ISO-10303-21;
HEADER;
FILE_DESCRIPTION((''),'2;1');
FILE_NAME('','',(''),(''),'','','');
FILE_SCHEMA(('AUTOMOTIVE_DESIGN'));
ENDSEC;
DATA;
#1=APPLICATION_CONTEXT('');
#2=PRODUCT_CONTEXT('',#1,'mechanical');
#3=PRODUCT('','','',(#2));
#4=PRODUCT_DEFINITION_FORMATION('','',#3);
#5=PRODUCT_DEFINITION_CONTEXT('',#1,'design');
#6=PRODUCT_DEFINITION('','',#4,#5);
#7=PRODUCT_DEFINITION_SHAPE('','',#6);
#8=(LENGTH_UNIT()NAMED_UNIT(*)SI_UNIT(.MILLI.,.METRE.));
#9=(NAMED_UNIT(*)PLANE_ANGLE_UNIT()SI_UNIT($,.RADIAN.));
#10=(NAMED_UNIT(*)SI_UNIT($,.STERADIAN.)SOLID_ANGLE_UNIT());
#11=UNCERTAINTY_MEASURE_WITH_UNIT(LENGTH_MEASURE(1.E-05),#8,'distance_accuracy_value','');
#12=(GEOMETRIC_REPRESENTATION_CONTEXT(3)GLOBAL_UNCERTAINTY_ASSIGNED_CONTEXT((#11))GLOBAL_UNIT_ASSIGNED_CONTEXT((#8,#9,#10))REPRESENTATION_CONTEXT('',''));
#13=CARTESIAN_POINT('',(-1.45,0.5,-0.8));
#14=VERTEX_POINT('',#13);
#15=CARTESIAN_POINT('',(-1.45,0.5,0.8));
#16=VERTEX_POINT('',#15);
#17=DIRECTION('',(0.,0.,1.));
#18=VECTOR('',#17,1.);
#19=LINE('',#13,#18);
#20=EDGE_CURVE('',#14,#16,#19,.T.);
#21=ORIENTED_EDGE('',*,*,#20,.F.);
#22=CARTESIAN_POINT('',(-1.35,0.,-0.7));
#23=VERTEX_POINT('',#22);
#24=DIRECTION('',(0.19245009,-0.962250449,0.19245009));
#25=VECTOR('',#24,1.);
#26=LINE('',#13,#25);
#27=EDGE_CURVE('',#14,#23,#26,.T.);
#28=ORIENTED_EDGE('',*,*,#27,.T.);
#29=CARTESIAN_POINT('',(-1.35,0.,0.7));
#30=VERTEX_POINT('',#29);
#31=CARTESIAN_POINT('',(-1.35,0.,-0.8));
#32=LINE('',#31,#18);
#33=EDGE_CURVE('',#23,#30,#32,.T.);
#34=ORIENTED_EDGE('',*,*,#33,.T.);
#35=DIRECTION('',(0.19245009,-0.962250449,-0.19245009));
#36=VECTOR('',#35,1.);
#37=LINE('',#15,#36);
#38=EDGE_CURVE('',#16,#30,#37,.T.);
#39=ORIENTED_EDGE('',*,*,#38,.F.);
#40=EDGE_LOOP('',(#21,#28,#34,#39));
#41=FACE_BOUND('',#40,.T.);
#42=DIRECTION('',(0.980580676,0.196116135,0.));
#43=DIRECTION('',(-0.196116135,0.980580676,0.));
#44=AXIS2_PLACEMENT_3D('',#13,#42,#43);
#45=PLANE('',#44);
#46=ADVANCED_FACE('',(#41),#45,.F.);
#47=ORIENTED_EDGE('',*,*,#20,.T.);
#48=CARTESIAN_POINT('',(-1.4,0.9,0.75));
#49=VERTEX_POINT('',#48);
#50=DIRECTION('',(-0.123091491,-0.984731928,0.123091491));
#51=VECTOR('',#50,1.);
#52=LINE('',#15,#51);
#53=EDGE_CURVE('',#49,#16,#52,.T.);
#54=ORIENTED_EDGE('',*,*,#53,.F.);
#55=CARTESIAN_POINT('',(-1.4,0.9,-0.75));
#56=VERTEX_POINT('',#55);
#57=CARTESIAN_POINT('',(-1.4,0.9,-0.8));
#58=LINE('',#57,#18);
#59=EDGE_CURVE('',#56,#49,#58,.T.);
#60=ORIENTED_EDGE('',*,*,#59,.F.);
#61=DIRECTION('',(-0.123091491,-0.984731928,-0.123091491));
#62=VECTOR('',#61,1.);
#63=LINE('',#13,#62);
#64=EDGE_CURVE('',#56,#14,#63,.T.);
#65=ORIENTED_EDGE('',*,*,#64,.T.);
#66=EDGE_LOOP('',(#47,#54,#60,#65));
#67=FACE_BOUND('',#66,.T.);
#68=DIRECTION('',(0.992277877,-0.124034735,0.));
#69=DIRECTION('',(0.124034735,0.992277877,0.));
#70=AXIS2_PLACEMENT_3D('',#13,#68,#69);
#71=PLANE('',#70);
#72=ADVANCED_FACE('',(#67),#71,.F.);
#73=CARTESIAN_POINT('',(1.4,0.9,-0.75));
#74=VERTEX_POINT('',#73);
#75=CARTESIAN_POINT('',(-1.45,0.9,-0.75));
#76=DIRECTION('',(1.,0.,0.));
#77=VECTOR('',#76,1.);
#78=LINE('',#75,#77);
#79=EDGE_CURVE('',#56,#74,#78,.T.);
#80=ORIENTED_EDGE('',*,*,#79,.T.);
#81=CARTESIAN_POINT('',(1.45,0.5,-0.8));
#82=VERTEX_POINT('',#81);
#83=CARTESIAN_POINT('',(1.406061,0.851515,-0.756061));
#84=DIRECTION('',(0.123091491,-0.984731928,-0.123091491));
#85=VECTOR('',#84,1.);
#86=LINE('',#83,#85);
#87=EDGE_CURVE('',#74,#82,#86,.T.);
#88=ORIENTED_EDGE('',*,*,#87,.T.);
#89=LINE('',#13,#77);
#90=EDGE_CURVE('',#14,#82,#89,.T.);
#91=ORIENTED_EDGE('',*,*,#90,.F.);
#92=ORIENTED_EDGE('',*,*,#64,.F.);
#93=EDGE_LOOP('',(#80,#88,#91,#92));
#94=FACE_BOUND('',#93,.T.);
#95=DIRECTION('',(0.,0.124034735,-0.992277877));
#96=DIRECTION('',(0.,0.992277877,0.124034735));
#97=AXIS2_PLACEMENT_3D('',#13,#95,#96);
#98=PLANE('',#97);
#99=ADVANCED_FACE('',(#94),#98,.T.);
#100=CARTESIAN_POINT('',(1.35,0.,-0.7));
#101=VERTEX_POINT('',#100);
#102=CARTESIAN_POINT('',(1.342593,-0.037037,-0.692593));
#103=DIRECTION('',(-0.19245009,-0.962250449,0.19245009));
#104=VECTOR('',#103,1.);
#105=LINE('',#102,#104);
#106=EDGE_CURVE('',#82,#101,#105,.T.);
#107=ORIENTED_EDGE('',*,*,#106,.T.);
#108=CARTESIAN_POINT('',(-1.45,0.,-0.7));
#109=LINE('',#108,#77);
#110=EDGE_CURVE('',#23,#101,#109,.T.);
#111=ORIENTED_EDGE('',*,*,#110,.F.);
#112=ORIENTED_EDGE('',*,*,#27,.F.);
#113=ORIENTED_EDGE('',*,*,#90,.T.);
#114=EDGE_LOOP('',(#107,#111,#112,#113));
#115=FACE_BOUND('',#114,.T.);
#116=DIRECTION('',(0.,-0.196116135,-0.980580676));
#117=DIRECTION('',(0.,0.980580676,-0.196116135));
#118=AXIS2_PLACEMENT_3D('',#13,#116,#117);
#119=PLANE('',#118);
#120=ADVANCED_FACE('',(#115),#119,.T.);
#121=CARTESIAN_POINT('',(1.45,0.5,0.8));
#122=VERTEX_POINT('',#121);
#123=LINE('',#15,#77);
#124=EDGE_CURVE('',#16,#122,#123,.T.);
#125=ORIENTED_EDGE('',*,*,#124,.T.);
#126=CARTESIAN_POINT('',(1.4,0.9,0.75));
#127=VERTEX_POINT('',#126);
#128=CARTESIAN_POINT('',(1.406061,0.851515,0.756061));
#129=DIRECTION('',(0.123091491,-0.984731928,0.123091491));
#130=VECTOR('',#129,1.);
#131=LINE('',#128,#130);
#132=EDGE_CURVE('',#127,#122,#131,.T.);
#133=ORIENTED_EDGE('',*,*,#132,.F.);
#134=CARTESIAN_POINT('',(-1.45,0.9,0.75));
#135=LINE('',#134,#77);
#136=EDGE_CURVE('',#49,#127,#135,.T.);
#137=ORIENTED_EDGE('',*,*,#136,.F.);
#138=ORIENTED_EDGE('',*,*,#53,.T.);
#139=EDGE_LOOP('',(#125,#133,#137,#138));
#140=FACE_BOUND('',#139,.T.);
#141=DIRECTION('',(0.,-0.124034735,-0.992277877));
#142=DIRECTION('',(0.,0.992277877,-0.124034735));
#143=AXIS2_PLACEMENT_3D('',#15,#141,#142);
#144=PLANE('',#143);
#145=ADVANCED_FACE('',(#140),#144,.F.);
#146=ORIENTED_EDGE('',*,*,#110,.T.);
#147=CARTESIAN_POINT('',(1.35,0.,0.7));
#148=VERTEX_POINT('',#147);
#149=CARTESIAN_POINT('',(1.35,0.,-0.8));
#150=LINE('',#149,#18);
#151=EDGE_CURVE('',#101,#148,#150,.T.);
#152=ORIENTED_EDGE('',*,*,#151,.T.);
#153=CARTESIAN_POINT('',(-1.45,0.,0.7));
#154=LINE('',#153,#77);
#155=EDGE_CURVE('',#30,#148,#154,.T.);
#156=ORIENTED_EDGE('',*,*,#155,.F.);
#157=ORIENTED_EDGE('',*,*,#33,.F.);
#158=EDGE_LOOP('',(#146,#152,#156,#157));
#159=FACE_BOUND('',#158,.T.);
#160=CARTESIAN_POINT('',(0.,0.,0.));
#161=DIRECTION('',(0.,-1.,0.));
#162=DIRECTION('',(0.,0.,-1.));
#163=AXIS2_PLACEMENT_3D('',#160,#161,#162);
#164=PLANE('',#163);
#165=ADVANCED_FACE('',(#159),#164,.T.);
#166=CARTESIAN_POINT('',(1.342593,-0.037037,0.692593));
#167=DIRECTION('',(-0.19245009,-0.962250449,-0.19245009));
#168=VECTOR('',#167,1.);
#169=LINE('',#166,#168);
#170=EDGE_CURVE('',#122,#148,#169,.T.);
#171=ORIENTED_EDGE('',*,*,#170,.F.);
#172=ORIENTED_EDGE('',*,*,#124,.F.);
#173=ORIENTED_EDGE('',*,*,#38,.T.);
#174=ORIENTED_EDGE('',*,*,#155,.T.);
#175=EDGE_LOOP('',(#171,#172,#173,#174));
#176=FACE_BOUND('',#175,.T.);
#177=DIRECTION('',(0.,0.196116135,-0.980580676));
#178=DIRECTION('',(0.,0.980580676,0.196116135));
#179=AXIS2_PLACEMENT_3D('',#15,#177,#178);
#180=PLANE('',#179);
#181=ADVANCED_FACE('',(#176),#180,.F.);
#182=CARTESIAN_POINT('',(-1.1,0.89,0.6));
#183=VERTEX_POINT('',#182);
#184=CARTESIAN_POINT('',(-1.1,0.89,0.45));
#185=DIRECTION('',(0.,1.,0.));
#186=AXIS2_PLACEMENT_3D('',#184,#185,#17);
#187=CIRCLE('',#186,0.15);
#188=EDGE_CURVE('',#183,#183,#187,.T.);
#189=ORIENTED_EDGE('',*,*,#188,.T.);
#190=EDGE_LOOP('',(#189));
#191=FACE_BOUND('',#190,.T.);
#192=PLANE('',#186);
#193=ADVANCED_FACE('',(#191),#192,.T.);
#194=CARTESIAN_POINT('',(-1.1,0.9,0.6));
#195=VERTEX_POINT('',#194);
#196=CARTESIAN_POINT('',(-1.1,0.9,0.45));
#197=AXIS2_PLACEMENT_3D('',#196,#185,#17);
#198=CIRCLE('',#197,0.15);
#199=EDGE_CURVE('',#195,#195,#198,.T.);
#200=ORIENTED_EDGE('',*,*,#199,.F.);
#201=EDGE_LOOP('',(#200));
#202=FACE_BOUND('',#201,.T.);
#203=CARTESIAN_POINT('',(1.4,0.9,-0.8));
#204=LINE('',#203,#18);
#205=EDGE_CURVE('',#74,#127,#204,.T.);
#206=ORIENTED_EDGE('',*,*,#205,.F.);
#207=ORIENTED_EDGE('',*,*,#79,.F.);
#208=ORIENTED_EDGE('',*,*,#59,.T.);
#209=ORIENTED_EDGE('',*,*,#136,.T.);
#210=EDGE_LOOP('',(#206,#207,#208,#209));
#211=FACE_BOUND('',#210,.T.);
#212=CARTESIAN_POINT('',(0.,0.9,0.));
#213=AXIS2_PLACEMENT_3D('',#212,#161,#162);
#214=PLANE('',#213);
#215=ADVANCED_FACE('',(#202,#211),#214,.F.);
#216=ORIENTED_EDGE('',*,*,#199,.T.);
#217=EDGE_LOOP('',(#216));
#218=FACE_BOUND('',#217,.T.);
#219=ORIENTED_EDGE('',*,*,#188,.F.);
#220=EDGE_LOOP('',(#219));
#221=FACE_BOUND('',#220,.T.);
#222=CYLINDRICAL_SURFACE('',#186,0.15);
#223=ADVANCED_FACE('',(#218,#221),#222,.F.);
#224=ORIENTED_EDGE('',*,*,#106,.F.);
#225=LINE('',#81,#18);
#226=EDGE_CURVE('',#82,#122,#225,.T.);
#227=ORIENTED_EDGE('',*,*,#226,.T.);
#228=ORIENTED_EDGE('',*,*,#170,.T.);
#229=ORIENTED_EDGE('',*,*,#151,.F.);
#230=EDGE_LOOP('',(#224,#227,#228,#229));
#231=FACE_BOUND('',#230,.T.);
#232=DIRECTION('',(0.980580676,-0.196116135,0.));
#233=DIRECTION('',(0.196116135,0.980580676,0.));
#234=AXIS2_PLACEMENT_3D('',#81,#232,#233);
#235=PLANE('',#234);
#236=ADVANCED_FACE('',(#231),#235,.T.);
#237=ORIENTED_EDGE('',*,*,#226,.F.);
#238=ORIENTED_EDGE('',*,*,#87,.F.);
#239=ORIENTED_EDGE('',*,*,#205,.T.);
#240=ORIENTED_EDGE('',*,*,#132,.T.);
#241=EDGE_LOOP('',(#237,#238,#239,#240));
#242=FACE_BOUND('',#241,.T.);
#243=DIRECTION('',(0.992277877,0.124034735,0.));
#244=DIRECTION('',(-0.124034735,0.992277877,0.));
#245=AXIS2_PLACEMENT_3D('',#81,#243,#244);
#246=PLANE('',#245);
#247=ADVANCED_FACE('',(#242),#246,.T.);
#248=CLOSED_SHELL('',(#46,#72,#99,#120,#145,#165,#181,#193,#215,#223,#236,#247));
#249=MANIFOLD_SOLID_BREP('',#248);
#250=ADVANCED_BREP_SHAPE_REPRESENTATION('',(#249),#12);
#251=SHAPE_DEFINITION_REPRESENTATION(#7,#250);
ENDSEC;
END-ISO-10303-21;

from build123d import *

# Parameters (mm, degrees)
SKETCH1_W           = 2.9
SKETCH1_H           = 1.6
BOSS_EXTRUDE1_DEPTH = 0.9
CUT_EXTRUDE1_DEPTH  = 2.45
CUT_EXTRUDE2_DEPTH  = 2.45
CUT_EXTRUDE3_DEPTH  = 1.8
CUT_EXTRUDE4_DEPTH  = 1.8
SKETCH6_R           = 0.15
CUT_EXTRUDE5_DEPTH  = 0.01


with BuildPart() as part:
    # Sketch1 → Boss-Extrude1 (new body)
    with BuildSketch(Plane(origin=(0, 0, 0), x_dir=(1, 0, 0), z_dir=(0, 1, 0))):
        Rectangle(SKETCH1_W, SKETCH1_H)
    extrude(amount=BOSS_EXTRUDE1_DEPTH)

    # Sketch2 → Cut-Extrude1 (cut, symmetric)
    with BuildSketch(Plane(origin=(0, 0, 0), x_dir=(0, 0, -1), z_dir=(1, 0, 0))):
        Polygon((-0.8, 0.5), (-0.7, 0), (-0.8, 0), align=None)
    cut_extrude1 = extrude(amount=CUT_EXTRUDE1_DEPTH, both=True, mode=Mode.SUBTRACT)

    # Mirror1: Cut-Extrude1 across plane
    add(cut_extrude1.mirror(Plane.XY), mode=Mode.SUBTRACT)

    # Sketch3 → Cut-Extrude2 (cut, symmetric)
    with BuildSketch(Plane(origin=(0, 0, 0), x_dir=(0, 0, -1), z_dir=(1, 0, 0))):
        Polygon((-0.8, 0.5), (-0.75, 0.9), (-0.8, 0.9), align=None)
    cut_extrude2 = extrude(amount=CUT_EXTRUDE2_DEPTH, both=True, mode=Mode.SUBTRACT)

    # Mirror2: Cut-Extrude2 across plane
    add(cut_extrude2.mirror(Plane.XY), mode=Mode.SUBTRACT)

    # Sketch4 → Cut-Extrude3 (cut, symmetric)
    with BuildSketch(Plane.XY):
        Polygon((-1.45, 0.5), (-1.35, 0), (-1.45, 0), align=None)
    cut_extrude3 = extrude(amount=CUT_EXTRUDE3_DEPTH, both=True, mode=Mode.SUBTRACT)

    # Mirror3: Cut-Extrude3 across plane
    add(cut_extrude3.mirror(Plane(origin=(0, 0, 0), x_dir=(0, 0, 1), z_dir=(1, 0, 0))), mode=Mode.SUBTRACT)

    # Sketch5 → Cut-Extrude4 (cut, symmetric)
    with BuildSketch(Plane.XY):
        Polygon((-1.45, 0.5), (-1.4, 0.9), (-1.45, 0.9), align=None)
    cut_extrude4 = extrude(amount=CUT_EXTRUDE4_DEPTH, both=True, mode=Mode.SUBTRACT)

    # Mirror4: Cut-Extrude4 across plane
    add(cut_extrude4.mirror(Plane(origin=(0, 0, 0), x_dir=(0, 0, 1), z_dir=(1, 0, 0))), mode=Mode.SUBTRACT)

    # Sketch6 → Cut-Extrude5 (cut)
    with BuildSketch(Plane(origin=(0, 0.9, 0), x_dir=(1, 0, 0), z_dir=(0, 1, 0))):
        with Locations((-1.1, -0.45)):
            Circle(SKETCH6_R)
    extrude(amount=-CUT_EXTRUDE5_DEPTH, mode=Mode.SUBTRACT)


solid = part.part
